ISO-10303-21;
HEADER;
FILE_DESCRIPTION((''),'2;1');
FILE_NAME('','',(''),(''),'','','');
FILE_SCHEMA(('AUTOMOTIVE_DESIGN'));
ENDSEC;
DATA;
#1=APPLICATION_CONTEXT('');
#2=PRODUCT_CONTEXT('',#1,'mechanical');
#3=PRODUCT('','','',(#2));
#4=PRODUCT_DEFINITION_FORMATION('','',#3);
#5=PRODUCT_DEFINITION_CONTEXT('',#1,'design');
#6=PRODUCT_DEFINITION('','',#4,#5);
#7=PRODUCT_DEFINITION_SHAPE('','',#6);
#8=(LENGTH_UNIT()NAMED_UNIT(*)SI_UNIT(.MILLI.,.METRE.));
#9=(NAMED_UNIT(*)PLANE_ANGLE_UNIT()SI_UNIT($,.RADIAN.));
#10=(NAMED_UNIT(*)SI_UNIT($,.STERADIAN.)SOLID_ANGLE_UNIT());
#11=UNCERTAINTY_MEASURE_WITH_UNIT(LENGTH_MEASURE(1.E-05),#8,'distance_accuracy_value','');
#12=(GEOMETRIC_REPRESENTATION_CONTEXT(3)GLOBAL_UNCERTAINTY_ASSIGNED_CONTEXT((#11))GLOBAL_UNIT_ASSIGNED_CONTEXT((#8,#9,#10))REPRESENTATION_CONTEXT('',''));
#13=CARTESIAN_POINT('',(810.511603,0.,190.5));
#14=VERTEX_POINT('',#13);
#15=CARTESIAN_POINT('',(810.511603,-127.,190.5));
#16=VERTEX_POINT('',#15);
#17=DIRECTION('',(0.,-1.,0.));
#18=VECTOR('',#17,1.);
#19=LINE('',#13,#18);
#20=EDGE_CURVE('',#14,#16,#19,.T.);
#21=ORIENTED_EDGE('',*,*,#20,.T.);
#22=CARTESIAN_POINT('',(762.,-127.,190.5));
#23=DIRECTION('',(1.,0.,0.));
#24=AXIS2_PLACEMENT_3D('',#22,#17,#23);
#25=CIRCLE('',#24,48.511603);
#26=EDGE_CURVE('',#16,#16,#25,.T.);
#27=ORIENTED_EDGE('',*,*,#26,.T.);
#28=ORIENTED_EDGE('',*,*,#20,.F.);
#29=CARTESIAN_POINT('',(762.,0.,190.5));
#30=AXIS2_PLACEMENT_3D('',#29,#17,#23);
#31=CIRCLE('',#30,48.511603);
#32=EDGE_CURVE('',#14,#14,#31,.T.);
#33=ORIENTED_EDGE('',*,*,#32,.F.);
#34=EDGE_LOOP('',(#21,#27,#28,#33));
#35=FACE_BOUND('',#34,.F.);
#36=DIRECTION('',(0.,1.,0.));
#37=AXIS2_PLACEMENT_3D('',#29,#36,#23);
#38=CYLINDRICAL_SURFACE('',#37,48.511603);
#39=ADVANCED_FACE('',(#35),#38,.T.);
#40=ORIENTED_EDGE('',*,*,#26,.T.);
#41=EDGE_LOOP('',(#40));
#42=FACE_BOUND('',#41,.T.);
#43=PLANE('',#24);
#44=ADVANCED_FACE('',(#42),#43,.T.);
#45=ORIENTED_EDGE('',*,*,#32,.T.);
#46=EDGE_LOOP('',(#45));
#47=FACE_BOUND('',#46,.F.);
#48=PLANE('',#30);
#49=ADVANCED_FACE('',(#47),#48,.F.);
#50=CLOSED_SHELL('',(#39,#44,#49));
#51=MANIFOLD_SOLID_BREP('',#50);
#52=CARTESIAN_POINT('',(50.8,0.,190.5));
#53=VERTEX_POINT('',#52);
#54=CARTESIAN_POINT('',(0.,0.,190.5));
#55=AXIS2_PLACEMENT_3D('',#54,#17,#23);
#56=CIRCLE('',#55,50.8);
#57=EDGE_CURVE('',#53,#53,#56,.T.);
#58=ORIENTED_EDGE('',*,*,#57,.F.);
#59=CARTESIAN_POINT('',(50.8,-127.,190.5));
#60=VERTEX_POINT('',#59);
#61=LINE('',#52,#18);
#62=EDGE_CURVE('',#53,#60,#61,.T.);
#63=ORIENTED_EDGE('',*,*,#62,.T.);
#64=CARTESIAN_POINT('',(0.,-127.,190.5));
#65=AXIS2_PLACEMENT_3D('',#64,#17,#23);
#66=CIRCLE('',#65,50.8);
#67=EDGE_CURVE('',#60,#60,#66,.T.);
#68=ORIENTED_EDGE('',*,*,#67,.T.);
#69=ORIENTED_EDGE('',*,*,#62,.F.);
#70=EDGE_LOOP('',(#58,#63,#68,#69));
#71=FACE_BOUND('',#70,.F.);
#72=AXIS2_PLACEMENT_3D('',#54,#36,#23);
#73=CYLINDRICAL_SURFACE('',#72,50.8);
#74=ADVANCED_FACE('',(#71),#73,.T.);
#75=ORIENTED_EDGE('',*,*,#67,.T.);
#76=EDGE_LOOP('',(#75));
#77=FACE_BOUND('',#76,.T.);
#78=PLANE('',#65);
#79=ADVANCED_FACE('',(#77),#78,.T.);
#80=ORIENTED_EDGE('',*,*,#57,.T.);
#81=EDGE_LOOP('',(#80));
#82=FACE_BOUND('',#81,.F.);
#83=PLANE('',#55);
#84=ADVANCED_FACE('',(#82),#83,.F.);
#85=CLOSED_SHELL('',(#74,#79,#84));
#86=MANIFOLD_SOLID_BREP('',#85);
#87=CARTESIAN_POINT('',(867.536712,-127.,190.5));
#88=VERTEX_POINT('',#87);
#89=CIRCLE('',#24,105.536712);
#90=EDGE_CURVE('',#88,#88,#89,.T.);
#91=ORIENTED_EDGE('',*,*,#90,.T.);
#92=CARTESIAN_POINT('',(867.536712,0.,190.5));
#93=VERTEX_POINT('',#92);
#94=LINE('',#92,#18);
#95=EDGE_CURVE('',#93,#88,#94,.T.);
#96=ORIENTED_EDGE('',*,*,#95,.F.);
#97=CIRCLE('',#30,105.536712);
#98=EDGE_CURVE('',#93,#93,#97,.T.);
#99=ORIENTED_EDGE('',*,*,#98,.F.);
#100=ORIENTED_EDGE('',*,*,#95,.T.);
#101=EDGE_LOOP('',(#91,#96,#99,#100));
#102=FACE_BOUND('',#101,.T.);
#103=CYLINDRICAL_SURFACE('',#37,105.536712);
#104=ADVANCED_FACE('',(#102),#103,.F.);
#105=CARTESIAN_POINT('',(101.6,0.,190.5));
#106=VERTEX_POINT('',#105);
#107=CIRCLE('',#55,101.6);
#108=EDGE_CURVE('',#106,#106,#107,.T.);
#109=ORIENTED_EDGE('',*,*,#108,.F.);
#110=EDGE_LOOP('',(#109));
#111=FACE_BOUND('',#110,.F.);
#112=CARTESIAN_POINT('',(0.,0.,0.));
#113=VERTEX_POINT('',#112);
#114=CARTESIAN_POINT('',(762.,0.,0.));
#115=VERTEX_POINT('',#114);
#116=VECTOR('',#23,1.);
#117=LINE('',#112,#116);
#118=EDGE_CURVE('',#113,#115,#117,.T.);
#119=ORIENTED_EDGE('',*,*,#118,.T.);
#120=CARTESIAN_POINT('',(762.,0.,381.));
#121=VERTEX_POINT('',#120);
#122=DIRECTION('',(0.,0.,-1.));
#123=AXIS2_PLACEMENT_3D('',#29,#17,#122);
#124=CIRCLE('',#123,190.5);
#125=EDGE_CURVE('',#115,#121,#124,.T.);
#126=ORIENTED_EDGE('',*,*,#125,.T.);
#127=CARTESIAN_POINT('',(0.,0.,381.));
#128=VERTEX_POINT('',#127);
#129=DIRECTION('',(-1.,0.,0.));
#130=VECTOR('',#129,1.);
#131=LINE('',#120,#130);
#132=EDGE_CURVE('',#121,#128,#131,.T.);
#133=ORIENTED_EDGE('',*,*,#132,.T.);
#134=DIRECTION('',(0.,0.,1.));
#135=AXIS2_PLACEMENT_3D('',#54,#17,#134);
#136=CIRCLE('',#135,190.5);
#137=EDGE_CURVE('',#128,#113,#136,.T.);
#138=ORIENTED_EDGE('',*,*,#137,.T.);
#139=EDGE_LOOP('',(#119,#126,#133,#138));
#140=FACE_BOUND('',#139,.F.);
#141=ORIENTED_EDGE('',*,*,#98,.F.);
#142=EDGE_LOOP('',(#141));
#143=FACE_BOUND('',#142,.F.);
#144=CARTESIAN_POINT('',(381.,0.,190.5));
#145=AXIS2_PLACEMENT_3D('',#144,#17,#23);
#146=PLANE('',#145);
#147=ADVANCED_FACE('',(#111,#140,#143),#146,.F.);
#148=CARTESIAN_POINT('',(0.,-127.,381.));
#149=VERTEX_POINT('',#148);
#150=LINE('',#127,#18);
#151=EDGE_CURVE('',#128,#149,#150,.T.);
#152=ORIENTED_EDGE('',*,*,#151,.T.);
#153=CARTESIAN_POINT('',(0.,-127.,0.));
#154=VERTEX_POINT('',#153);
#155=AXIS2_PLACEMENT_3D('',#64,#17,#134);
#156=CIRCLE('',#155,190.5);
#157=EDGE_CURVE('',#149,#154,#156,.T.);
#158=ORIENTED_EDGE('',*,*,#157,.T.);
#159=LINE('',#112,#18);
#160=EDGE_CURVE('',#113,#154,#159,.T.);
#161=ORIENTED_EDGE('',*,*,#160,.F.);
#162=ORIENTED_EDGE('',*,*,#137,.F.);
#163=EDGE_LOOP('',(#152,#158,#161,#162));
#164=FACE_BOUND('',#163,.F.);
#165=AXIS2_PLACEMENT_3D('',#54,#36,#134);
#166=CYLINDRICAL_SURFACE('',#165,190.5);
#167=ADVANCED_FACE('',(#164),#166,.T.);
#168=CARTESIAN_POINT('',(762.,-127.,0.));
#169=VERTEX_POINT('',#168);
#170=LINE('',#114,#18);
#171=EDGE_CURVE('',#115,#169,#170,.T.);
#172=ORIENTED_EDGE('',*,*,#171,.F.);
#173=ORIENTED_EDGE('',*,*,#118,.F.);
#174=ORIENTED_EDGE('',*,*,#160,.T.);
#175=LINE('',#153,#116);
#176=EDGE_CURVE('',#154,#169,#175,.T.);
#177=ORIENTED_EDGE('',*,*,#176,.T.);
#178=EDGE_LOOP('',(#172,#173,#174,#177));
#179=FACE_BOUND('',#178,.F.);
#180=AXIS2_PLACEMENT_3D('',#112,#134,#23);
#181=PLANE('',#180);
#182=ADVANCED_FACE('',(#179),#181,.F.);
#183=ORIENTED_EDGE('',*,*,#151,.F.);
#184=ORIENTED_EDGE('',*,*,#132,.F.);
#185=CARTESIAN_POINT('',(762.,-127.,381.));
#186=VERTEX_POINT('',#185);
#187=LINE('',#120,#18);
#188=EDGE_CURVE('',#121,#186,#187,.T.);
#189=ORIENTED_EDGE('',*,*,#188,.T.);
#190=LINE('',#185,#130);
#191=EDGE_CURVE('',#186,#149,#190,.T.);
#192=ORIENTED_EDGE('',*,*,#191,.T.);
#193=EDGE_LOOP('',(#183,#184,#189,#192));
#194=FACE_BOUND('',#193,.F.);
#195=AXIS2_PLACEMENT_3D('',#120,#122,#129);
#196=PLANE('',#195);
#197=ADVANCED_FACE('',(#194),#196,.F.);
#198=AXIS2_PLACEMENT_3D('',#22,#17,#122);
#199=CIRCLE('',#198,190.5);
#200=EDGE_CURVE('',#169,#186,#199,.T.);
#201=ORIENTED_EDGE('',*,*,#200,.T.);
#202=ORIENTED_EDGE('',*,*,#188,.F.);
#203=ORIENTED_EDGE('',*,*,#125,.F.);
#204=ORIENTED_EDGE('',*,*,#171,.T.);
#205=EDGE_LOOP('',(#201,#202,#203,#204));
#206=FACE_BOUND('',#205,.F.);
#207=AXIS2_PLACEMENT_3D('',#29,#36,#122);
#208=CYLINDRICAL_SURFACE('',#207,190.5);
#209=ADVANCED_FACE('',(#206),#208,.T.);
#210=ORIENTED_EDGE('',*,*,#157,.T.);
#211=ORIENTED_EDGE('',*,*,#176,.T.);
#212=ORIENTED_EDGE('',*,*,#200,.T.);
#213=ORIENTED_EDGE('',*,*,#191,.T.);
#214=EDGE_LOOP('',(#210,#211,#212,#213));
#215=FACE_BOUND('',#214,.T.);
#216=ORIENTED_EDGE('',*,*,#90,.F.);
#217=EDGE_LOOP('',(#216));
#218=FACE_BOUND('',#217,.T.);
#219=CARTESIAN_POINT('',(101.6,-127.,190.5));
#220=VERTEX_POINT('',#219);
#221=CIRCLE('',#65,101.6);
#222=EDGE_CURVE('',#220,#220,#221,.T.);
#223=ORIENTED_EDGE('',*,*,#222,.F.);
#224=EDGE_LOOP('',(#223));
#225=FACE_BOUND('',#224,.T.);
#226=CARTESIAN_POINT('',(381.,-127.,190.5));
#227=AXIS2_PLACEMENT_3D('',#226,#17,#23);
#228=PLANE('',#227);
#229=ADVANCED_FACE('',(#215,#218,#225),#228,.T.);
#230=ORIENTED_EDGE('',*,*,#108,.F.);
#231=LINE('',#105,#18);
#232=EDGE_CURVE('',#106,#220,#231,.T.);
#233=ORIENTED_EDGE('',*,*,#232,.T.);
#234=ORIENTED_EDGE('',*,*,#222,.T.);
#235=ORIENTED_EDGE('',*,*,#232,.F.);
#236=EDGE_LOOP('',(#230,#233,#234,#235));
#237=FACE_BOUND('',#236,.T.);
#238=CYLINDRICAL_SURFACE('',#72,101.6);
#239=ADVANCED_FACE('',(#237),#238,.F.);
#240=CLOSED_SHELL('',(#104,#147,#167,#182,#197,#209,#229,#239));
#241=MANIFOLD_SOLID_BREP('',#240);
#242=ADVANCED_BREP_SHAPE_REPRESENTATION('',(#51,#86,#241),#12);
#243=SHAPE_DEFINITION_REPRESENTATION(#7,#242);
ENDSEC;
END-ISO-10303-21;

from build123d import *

# Parameters (mm, degrees)
F0_R     = 101.6
F0_R_2   = 105.536712
F0_R_3   = 50.8
F0_R_4   = 48.511603
F1_DEPTH = 127


with BuildPart() as f1:
    # F0 (on Front) → F1 (new body)
    with BuildSketch(Plane.XZ):
        with BuildLine():
            ThreePointArc((0, 381), (-190.5, 190.5), (0, 0))
            Line((0, 0), (762, 0))
            ThreePointArc((762, 0), (952.5, 190.5), (762, 381))
            Line((762, 381), (0, 381))
        make_face()
        with Locations((0, 190.5)):
            Circle(F0_R, mode=Mode.SUBTRACT)
        with Locations((762, 190.5)):
            Circle(F0_R_2, mode=Mode.SUBTRACT)
        with Locations((0, 190.5)):
            Circle(F0_R_3)
        with Locations((762, 190.5)):
            Circle(F0_R_4)
    extrude(amount=F1_DEPTH)


solid = f1.part
